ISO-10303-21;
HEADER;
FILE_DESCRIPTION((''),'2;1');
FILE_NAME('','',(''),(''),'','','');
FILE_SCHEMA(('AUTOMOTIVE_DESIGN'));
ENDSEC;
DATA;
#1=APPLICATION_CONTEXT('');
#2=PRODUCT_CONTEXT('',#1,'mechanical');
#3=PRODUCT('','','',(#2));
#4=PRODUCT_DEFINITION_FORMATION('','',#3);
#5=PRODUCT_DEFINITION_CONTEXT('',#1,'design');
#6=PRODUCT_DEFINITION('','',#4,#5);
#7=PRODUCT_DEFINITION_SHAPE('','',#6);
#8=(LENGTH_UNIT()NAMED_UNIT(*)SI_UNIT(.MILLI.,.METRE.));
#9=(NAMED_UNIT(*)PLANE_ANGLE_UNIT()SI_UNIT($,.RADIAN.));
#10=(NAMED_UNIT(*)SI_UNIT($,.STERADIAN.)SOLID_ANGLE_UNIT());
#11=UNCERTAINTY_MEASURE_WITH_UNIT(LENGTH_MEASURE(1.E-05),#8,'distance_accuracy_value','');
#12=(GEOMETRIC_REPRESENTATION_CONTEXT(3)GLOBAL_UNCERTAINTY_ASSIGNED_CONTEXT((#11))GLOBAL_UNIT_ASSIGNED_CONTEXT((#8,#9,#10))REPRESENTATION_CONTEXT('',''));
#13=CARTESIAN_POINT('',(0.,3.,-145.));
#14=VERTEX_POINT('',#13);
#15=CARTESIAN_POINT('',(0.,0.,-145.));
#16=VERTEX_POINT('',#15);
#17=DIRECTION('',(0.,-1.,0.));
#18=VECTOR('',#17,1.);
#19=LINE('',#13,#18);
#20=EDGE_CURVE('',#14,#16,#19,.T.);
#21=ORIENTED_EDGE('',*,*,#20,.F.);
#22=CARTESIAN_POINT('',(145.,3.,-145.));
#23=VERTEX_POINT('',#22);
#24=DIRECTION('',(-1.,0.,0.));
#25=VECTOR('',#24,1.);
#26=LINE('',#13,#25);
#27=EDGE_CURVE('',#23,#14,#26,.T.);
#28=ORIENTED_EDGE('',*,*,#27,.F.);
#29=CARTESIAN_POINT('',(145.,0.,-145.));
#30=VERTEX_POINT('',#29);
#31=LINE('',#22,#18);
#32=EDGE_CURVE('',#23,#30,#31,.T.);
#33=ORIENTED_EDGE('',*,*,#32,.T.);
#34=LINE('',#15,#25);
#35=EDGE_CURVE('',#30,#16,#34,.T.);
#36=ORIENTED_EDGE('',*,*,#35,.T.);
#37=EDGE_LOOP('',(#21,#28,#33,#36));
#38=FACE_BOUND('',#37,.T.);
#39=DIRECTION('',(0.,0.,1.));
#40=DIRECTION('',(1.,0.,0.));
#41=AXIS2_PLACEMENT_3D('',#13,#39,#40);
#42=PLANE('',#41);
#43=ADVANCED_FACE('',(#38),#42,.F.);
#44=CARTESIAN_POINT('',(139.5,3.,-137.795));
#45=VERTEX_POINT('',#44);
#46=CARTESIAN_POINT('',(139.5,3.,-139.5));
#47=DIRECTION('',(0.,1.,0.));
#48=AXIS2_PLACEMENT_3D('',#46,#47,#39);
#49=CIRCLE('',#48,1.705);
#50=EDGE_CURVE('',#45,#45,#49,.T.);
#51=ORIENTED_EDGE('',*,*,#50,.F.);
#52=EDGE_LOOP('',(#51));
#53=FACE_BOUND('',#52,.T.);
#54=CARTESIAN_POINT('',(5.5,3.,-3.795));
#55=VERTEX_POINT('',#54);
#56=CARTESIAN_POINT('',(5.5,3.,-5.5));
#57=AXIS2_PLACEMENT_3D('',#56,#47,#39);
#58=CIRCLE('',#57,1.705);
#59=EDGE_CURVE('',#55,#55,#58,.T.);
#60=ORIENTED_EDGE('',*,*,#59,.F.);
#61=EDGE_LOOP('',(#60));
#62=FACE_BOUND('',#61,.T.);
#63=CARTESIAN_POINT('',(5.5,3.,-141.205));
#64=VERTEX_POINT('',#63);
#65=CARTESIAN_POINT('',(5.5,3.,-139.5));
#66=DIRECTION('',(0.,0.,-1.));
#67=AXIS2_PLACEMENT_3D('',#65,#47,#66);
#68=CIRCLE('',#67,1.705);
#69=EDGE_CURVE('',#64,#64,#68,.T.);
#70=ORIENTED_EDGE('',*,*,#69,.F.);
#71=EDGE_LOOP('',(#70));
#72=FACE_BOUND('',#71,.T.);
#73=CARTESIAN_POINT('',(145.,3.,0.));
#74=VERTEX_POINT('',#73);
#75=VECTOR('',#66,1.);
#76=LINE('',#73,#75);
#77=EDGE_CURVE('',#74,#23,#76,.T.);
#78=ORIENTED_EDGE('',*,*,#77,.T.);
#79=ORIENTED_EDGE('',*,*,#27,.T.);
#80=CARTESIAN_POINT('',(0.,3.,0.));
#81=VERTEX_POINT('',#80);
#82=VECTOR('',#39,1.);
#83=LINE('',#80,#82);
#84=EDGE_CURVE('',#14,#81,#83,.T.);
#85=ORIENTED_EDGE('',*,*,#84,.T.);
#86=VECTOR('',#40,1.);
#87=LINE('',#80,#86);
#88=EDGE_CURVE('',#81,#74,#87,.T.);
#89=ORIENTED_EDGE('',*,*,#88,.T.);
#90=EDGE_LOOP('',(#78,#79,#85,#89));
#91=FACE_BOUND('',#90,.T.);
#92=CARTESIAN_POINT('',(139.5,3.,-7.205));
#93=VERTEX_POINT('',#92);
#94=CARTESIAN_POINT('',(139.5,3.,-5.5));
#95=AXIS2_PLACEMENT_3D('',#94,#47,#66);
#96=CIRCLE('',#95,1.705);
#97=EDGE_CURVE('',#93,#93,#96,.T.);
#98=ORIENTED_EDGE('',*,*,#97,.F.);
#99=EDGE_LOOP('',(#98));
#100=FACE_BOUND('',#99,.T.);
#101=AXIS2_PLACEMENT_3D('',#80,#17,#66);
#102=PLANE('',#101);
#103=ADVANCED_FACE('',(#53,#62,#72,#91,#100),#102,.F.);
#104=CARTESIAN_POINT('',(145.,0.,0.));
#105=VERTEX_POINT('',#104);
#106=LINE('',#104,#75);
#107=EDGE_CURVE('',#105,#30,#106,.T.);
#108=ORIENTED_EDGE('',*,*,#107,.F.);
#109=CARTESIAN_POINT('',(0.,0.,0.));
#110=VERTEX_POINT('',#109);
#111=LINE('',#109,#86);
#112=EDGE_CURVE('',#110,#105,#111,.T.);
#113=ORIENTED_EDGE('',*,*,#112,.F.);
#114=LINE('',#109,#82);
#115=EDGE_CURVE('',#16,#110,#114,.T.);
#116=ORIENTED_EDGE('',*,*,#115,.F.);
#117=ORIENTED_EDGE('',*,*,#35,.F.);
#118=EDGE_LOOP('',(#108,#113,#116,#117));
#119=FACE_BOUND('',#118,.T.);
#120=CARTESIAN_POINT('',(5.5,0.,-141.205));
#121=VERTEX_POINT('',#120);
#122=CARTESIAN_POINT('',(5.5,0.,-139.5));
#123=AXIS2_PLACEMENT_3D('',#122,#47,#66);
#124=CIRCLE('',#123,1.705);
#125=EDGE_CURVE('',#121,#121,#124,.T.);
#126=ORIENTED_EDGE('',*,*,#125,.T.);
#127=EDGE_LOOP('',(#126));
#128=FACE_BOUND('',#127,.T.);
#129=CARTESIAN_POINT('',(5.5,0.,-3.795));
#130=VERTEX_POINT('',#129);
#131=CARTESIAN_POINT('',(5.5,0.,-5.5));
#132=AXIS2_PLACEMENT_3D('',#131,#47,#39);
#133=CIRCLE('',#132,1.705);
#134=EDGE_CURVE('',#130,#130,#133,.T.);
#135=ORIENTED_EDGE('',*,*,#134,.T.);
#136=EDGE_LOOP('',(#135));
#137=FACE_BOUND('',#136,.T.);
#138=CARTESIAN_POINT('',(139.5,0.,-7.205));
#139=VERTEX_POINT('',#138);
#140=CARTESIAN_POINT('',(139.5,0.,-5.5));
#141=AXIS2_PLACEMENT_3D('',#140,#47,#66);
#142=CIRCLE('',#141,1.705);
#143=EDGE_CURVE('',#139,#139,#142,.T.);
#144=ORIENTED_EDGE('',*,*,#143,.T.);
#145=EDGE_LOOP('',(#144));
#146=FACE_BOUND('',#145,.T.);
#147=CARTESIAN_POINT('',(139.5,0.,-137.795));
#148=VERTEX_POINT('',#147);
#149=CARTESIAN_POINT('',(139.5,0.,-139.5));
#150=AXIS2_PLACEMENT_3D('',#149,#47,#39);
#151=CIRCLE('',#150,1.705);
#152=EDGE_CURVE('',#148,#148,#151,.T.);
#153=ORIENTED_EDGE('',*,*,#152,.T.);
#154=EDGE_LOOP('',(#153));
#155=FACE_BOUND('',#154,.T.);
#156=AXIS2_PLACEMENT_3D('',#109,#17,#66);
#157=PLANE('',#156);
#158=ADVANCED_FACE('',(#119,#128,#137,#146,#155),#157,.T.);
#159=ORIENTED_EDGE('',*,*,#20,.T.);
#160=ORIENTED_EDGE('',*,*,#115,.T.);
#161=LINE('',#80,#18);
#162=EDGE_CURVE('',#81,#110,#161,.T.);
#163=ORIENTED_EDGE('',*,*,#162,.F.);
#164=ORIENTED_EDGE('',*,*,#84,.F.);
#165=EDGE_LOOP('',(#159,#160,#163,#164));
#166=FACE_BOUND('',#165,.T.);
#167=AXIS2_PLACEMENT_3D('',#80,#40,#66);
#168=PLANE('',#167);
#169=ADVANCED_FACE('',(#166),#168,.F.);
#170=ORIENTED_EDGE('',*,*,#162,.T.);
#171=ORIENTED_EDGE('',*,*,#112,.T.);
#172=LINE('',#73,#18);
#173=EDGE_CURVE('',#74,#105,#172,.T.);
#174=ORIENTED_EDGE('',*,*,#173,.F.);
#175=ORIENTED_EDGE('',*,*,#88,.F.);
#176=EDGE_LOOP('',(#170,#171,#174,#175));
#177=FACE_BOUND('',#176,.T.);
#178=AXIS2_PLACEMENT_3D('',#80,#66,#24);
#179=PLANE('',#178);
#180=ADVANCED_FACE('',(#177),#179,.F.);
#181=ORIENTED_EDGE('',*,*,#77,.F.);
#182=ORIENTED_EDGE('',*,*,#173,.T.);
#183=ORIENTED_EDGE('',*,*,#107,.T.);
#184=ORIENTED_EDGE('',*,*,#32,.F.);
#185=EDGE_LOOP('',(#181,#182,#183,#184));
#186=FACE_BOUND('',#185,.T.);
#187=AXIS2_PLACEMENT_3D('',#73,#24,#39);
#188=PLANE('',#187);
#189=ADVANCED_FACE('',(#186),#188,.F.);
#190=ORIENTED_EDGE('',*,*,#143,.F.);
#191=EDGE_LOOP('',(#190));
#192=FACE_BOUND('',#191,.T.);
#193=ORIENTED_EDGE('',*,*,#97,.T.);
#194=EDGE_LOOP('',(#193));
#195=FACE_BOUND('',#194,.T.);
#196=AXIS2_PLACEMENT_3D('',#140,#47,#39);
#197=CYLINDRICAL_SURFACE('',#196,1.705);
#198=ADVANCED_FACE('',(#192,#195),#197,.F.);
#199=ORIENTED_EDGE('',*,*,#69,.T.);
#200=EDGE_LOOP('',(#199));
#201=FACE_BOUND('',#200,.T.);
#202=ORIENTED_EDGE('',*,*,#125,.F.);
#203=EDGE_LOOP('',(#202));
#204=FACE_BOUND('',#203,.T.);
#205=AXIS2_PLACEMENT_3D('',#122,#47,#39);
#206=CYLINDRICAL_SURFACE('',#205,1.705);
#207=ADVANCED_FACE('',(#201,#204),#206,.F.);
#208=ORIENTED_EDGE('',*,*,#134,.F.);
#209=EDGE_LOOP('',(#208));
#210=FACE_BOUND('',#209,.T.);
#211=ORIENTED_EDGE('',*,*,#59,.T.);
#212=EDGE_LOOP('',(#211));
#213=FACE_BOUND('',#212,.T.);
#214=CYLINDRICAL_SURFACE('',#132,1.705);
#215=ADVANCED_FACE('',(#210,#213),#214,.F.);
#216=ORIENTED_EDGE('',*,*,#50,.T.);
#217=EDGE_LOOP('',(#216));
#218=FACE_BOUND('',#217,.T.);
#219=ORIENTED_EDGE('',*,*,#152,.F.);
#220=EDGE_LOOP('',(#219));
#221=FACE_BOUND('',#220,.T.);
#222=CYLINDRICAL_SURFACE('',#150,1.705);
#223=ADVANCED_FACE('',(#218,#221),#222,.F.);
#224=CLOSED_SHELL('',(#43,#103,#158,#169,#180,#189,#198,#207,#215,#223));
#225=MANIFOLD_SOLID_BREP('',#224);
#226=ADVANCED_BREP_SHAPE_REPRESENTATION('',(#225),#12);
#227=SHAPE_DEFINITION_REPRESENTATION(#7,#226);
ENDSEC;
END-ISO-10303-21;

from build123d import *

# Parameters (mm, degrees)
SKETCH1_W           = 145
SKETCH1_H           = 145
BOSS_EXTRUDE1_DEPTH = 3
SKETCH2_R           = 1.705
CUT_EXTRUDE1_DEPTH  = 206.082910063


with BuildPart() as part:
    # Sketch1 → Boss-Extrude1 (new body)
    with BuildSketch(Plane(origin=(0, 0, 0), x_dir=(1, 0, 0), z_dir=(0, 1, 0))):
        with Locations((72.5, 72.5)):
            Rectangle(SKETCH1_W, SKETCH1_H)
    extrude(amount=BOSS_EXTRUDE1_DEPTH)

    # Sketch2 → Cut-Extrude1 (cut, through all)
    with BuildSketch(Plane(origin=(0, 3, 0), x_dir=(1, 0, 0), z_dir=(0, 1, 0))):
        with Locations(Location((5.5, 5.5, 0), (0, 0, 270))):
            Circle(SKETCH2_R)
        with Locations(Location((139.5, 5.5, 0), (0, 0, 90))):
            Circle(SKETCH2_R)
        with Locations(Location((5.5, 139.5, 0), (0, 0, 90))):
            Circle(SKETCH2_R)
        with Locations(Location((139.5, 139.5, 0), (0, 0, 270))):
            Circle(SKETCH2_R)
    extrude(amount=-CUT_EXTRUDE1_DEPTH, mode=Mode.SUBTRACT)


solid = part.part
